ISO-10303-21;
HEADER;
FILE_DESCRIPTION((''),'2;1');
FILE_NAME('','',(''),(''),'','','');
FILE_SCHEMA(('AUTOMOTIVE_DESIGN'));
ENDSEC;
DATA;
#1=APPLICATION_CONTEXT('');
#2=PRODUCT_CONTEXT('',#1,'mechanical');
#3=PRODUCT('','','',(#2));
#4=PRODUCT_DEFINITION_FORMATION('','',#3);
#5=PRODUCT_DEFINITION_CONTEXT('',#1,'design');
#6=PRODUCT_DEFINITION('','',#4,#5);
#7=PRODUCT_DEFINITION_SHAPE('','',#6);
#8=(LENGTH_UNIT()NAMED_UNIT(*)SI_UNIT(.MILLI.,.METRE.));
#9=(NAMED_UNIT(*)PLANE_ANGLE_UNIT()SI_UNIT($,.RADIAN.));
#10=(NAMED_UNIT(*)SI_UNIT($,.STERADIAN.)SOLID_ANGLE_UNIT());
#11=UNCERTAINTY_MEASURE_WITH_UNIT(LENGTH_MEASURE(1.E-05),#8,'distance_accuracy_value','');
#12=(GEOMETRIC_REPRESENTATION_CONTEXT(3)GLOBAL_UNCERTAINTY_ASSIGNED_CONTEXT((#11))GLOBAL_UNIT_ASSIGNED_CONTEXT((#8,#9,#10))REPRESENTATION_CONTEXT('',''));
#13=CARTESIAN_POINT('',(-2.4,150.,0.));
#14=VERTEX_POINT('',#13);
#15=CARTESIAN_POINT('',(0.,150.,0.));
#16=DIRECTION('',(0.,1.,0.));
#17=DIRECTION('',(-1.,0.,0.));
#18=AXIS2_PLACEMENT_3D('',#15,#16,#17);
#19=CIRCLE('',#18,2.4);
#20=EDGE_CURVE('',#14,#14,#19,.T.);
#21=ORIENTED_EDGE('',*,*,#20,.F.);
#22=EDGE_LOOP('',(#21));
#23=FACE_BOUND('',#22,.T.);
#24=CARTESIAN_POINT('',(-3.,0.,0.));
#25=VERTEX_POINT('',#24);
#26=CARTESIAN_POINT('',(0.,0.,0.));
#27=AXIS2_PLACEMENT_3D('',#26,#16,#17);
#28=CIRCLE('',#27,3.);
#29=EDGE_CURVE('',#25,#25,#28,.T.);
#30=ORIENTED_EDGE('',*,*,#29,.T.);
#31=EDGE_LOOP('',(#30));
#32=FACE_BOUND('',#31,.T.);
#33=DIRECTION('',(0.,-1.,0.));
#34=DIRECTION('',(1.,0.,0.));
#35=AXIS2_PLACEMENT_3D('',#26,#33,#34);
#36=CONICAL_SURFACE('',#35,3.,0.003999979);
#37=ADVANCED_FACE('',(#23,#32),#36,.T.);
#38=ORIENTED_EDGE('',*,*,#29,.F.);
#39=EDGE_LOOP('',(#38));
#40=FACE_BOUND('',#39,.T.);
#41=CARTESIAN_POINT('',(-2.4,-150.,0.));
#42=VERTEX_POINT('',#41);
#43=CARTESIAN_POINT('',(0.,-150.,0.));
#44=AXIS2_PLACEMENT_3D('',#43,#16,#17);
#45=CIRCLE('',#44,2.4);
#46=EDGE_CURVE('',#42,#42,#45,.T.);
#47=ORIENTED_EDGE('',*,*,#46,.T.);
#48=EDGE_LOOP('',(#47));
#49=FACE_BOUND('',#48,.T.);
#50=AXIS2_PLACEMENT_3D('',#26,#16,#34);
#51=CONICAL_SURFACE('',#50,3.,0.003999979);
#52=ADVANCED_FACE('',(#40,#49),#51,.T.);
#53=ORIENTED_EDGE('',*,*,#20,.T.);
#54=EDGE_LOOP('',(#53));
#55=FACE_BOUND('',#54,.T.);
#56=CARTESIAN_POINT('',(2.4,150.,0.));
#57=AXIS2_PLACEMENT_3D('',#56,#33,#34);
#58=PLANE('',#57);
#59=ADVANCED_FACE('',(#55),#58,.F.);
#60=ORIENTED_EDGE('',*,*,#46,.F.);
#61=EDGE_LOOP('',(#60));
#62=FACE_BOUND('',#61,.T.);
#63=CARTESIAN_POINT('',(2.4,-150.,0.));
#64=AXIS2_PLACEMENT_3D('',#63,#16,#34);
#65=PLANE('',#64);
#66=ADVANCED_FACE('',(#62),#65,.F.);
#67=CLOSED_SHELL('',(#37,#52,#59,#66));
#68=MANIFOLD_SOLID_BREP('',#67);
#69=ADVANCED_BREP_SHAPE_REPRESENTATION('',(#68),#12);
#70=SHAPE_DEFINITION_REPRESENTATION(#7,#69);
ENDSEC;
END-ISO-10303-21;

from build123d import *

# Parameters (mm, degrees)
ECHELLE1_SCALE = 0.6


with BuildPart() as part:
    # Esquisse1 → Révolution1 (revolve)
    with BuildSketch(Plane.XY, mode=Mode.PRIVATE) as r_volution1_sk:
        Polygon((0, 0), (5, 0), (4, 250), (0, 250), align=None)
    r_volution1 = revolve(r_volution1_sk.sketch.rotate(Axis((0, 250, 0), (0, -1, 0)), 180), axis=Axis((0, 250, 0), (0, -1, 0)))

    # Symétrie1: Révolution1 across plane
    add(r_volution1.mirror(Plane.ZX))


with BuildPart() as part_1:
    # Echelle1: scaled about (0, 0, 0)
    add(part.part.scale(ECHELLE1_SCALE))


solid = part_1.part
